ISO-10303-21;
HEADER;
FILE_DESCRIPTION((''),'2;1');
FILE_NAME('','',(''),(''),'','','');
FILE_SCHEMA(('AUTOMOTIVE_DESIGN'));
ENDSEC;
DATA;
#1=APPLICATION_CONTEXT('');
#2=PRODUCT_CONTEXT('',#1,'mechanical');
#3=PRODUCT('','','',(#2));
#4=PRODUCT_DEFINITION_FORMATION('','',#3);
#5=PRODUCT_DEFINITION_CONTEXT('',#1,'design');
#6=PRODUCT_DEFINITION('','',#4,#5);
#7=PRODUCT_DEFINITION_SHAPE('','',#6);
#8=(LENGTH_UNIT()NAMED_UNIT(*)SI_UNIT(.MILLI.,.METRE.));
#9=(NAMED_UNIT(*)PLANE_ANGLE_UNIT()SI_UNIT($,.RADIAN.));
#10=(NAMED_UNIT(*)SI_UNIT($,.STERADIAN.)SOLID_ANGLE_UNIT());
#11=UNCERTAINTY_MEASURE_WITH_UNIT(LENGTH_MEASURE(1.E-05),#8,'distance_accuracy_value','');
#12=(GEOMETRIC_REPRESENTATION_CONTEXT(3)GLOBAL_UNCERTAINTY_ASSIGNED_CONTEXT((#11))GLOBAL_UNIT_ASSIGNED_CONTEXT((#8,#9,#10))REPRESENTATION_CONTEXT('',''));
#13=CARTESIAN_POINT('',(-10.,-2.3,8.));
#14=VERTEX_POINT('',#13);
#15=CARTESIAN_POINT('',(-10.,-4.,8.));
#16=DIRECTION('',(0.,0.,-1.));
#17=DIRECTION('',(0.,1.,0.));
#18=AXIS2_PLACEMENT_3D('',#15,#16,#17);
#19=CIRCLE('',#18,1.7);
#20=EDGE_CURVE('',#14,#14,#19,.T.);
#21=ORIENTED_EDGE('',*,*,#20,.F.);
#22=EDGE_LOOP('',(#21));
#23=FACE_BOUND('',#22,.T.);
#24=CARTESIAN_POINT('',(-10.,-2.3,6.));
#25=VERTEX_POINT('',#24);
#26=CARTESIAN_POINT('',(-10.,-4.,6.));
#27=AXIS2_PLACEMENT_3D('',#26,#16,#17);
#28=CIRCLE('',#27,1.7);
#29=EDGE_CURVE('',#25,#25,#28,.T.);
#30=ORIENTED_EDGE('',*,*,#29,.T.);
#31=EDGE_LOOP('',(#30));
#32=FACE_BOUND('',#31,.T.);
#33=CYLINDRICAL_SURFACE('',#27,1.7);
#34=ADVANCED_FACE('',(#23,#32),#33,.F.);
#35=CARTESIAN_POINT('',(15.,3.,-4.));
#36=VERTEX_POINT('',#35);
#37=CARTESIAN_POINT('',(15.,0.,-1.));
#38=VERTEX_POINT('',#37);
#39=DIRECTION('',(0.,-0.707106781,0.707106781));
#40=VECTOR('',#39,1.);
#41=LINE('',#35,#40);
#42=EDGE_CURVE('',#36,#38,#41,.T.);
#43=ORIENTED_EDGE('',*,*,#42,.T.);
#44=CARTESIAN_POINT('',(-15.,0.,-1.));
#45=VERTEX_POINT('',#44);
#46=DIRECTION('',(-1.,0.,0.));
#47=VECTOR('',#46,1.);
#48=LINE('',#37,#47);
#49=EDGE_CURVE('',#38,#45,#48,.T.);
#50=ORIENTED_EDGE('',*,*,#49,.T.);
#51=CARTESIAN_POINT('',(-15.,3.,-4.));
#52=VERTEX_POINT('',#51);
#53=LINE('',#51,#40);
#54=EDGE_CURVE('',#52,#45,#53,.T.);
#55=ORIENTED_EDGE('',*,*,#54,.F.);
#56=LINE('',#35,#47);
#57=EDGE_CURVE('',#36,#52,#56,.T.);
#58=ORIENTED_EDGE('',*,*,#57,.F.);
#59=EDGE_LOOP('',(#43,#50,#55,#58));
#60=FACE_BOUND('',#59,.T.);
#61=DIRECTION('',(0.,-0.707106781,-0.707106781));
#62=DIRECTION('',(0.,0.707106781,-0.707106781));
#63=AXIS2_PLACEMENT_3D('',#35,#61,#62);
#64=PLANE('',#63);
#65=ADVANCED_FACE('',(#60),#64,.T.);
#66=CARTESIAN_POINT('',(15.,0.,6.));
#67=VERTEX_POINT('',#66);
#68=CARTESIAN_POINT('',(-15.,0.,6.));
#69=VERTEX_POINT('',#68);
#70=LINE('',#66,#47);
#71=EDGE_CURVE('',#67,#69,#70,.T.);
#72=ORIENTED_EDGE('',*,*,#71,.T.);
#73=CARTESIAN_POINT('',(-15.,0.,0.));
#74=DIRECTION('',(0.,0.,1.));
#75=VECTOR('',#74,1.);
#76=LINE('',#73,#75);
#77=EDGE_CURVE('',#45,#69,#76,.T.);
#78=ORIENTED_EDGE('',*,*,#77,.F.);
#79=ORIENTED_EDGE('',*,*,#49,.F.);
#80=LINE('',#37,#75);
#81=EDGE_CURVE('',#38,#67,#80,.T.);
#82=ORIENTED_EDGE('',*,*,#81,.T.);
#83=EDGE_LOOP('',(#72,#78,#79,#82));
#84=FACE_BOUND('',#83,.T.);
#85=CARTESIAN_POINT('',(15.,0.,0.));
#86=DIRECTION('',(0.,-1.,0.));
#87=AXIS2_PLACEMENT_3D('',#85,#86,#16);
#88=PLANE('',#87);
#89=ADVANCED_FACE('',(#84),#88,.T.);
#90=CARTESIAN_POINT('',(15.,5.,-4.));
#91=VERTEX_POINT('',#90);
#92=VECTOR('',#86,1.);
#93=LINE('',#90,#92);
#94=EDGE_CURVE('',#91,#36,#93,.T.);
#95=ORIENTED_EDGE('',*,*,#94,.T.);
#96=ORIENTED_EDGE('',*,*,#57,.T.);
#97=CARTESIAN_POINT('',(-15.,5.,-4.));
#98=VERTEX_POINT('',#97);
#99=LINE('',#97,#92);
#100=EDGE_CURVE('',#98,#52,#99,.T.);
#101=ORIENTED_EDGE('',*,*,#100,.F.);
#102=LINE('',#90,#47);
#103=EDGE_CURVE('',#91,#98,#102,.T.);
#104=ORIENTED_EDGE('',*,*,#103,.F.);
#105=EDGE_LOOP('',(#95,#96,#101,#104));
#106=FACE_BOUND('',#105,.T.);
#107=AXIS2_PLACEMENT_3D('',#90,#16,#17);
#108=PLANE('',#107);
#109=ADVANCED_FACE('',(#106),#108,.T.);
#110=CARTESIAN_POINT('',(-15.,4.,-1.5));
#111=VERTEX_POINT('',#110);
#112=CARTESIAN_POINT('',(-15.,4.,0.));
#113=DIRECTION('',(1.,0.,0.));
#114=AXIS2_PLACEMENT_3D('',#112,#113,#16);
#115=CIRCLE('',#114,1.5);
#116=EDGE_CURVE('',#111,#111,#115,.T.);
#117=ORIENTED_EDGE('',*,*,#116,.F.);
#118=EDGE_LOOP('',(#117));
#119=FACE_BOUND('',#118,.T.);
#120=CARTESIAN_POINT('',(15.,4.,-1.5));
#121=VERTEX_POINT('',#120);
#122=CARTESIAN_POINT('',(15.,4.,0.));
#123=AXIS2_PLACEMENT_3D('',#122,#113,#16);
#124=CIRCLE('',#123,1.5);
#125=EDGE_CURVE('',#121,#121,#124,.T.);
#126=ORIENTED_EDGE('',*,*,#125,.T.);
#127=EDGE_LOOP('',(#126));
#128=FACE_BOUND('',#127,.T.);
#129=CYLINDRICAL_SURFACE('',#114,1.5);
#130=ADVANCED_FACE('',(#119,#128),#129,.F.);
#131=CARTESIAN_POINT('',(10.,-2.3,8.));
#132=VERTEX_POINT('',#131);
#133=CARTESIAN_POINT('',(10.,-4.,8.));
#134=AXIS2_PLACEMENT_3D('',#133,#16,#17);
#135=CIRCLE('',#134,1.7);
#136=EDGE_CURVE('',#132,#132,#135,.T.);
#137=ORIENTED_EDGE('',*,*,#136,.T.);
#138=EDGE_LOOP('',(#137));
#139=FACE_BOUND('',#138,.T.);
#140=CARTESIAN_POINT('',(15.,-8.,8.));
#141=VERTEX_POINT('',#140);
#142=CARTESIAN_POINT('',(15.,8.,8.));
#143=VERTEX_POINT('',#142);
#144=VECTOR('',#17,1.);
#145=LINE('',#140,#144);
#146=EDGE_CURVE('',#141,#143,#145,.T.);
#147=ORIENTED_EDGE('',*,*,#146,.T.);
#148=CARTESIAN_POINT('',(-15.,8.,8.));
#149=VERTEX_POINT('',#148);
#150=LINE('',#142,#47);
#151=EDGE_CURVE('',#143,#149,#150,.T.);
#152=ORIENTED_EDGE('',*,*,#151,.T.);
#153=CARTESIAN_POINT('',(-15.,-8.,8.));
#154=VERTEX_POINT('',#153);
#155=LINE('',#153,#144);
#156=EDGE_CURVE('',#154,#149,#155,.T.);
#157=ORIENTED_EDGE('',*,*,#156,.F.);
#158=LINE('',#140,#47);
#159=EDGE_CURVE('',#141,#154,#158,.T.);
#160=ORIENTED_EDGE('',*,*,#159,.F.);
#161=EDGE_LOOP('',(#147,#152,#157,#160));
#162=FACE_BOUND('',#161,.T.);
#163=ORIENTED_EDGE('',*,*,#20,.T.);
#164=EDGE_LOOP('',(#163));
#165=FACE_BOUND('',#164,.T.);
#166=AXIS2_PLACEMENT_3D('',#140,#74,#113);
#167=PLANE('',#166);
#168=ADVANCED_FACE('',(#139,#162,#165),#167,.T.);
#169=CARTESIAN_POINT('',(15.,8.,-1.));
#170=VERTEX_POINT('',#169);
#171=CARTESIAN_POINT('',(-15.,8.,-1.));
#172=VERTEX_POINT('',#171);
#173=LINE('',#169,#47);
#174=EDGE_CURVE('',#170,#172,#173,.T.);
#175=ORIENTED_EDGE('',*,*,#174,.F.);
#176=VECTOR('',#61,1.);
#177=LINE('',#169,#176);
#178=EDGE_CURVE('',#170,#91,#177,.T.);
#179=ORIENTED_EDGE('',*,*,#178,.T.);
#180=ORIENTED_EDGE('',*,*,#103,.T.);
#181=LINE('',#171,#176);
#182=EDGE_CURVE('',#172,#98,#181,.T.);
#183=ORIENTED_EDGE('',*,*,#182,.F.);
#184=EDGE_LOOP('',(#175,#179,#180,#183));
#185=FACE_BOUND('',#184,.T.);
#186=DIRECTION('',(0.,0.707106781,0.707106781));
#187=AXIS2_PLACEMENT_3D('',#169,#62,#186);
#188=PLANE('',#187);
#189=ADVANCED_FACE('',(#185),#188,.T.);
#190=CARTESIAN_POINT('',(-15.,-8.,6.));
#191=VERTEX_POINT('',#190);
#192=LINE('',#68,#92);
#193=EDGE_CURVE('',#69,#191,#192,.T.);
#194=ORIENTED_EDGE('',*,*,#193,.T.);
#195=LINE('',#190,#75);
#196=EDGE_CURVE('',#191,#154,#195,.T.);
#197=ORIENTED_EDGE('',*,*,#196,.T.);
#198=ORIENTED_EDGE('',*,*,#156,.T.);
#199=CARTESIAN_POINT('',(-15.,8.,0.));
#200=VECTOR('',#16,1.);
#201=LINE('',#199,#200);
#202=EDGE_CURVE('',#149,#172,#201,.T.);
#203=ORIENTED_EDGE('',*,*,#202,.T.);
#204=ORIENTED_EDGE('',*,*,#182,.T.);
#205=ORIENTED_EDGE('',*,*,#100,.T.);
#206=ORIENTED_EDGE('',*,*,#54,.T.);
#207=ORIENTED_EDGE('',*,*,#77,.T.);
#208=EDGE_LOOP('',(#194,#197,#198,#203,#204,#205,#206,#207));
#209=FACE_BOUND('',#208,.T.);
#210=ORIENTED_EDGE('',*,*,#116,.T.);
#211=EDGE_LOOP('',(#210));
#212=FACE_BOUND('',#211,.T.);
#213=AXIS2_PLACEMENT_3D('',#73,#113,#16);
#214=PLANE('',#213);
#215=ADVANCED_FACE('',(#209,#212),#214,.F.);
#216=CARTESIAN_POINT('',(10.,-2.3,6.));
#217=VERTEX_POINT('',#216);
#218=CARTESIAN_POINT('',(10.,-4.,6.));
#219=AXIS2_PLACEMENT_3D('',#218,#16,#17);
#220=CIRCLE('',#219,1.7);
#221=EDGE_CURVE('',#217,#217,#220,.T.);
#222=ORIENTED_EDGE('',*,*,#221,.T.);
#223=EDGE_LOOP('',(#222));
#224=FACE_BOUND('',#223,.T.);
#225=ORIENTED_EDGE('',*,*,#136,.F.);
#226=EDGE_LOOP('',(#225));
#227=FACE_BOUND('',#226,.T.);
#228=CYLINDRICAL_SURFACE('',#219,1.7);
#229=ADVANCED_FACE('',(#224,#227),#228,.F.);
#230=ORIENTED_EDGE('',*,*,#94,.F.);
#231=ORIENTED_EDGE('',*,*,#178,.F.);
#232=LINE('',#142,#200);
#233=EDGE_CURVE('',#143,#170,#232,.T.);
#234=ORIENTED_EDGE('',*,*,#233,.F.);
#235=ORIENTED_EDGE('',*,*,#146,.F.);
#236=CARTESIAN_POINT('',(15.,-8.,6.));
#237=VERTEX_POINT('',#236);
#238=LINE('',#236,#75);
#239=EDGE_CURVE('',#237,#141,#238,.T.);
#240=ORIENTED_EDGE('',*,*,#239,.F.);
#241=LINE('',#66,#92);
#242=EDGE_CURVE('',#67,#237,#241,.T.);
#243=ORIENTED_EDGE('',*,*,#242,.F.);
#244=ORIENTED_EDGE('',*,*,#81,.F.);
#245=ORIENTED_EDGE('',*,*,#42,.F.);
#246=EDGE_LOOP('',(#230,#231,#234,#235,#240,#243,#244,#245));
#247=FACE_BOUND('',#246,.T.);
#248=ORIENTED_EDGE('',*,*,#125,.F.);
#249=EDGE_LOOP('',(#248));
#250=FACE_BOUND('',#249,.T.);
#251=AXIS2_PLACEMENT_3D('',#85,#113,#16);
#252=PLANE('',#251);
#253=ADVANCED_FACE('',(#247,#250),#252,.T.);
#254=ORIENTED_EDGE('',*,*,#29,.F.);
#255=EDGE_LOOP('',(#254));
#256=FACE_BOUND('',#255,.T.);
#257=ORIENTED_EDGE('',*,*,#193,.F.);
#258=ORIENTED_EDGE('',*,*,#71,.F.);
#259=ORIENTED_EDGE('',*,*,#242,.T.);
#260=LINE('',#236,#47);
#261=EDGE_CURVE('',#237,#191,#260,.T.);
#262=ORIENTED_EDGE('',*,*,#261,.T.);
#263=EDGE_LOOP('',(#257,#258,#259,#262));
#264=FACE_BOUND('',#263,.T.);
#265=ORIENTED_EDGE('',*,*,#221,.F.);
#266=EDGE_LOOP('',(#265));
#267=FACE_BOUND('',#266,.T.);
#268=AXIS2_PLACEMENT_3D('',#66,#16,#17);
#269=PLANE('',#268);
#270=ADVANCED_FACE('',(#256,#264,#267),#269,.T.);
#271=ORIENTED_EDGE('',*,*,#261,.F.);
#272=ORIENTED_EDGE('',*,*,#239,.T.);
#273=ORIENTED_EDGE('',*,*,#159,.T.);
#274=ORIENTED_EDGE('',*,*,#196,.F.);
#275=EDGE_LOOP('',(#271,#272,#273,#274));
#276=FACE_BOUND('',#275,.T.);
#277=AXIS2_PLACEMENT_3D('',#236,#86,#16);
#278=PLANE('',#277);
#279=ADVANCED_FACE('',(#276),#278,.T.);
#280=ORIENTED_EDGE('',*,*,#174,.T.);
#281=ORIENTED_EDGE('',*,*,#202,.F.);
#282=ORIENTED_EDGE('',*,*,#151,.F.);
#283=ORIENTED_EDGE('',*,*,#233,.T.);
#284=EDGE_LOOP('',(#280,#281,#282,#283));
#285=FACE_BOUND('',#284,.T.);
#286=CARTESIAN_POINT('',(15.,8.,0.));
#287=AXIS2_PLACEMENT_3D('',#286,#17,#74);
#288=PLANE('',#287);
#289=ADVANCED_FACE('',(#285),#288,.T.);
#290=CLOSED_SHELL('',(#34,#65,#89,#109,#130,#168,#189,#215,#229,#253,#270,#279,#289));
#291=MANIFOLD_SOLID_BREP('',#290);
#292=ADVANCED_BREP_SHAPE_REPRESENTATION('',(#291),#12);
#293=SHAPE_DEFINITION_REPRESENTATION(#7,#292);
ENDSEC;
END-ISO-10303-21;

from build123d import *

# Parameters (mm, degrees)
BOSS_EXTRUDE1_DEPTH     = 15
M3_CLEARANCE_HOLE1_D    = 3.4
SKETCH4_R               = 1.5
CUT_EXTRUDE1_DEPTH      = 1
CUT_EXTRUDE1_DEPTH_BACK = 31


with BuildPart() as part:
    # Sketch1 → Boss-Extrude1 (new body, symmetric)
    with BuildSketch(Plane(origin=(0, 0, 0), x_dir=(0, 0, -1), z_dir=(1, 0, 0))):
        Polygon((-8, 8), (0, 8), (1, 8), (4, 5), (4, 3), (1, 0), (0, 0), (-6, 0), (-6, -8), (-8, -8), align=None)
    extrude(amount=BOSS_EXTRUDE1_DEPTH, both=True)

    # M3 Clearance Hole1 (through all)
    with Locations(Plane(origin=(0, 0, 6), x_dir=(-1, 0, 0), z_dir=(0, 0, -1))):
        with Locations((-10, -4), (10, -4)):
            Hole(M3_CLEARANCE_HOLE1_D / 2)

    # Sketch4 → Cut-Extrude1 (cut, two sides)
    with BuildSketch(Plane(origin=(15, 0, 0), x_dir=(0, 0, -1), z_dir=(1, 0, 0))) as cut_extrude1_sk:
        with Locations((0, 4)):
            Circle(SKETCH4_R)
    extrude(amount=CUT_EXTRUDE1_DEPTH, mode=Mode.SUBTRACT)
    extrude(cut_extrude1_sk.sketch, amount=-CUT_EXTRUDE1_DEPTH_BACK, mode=Mode.SUBTRACT)


solid = part.part
